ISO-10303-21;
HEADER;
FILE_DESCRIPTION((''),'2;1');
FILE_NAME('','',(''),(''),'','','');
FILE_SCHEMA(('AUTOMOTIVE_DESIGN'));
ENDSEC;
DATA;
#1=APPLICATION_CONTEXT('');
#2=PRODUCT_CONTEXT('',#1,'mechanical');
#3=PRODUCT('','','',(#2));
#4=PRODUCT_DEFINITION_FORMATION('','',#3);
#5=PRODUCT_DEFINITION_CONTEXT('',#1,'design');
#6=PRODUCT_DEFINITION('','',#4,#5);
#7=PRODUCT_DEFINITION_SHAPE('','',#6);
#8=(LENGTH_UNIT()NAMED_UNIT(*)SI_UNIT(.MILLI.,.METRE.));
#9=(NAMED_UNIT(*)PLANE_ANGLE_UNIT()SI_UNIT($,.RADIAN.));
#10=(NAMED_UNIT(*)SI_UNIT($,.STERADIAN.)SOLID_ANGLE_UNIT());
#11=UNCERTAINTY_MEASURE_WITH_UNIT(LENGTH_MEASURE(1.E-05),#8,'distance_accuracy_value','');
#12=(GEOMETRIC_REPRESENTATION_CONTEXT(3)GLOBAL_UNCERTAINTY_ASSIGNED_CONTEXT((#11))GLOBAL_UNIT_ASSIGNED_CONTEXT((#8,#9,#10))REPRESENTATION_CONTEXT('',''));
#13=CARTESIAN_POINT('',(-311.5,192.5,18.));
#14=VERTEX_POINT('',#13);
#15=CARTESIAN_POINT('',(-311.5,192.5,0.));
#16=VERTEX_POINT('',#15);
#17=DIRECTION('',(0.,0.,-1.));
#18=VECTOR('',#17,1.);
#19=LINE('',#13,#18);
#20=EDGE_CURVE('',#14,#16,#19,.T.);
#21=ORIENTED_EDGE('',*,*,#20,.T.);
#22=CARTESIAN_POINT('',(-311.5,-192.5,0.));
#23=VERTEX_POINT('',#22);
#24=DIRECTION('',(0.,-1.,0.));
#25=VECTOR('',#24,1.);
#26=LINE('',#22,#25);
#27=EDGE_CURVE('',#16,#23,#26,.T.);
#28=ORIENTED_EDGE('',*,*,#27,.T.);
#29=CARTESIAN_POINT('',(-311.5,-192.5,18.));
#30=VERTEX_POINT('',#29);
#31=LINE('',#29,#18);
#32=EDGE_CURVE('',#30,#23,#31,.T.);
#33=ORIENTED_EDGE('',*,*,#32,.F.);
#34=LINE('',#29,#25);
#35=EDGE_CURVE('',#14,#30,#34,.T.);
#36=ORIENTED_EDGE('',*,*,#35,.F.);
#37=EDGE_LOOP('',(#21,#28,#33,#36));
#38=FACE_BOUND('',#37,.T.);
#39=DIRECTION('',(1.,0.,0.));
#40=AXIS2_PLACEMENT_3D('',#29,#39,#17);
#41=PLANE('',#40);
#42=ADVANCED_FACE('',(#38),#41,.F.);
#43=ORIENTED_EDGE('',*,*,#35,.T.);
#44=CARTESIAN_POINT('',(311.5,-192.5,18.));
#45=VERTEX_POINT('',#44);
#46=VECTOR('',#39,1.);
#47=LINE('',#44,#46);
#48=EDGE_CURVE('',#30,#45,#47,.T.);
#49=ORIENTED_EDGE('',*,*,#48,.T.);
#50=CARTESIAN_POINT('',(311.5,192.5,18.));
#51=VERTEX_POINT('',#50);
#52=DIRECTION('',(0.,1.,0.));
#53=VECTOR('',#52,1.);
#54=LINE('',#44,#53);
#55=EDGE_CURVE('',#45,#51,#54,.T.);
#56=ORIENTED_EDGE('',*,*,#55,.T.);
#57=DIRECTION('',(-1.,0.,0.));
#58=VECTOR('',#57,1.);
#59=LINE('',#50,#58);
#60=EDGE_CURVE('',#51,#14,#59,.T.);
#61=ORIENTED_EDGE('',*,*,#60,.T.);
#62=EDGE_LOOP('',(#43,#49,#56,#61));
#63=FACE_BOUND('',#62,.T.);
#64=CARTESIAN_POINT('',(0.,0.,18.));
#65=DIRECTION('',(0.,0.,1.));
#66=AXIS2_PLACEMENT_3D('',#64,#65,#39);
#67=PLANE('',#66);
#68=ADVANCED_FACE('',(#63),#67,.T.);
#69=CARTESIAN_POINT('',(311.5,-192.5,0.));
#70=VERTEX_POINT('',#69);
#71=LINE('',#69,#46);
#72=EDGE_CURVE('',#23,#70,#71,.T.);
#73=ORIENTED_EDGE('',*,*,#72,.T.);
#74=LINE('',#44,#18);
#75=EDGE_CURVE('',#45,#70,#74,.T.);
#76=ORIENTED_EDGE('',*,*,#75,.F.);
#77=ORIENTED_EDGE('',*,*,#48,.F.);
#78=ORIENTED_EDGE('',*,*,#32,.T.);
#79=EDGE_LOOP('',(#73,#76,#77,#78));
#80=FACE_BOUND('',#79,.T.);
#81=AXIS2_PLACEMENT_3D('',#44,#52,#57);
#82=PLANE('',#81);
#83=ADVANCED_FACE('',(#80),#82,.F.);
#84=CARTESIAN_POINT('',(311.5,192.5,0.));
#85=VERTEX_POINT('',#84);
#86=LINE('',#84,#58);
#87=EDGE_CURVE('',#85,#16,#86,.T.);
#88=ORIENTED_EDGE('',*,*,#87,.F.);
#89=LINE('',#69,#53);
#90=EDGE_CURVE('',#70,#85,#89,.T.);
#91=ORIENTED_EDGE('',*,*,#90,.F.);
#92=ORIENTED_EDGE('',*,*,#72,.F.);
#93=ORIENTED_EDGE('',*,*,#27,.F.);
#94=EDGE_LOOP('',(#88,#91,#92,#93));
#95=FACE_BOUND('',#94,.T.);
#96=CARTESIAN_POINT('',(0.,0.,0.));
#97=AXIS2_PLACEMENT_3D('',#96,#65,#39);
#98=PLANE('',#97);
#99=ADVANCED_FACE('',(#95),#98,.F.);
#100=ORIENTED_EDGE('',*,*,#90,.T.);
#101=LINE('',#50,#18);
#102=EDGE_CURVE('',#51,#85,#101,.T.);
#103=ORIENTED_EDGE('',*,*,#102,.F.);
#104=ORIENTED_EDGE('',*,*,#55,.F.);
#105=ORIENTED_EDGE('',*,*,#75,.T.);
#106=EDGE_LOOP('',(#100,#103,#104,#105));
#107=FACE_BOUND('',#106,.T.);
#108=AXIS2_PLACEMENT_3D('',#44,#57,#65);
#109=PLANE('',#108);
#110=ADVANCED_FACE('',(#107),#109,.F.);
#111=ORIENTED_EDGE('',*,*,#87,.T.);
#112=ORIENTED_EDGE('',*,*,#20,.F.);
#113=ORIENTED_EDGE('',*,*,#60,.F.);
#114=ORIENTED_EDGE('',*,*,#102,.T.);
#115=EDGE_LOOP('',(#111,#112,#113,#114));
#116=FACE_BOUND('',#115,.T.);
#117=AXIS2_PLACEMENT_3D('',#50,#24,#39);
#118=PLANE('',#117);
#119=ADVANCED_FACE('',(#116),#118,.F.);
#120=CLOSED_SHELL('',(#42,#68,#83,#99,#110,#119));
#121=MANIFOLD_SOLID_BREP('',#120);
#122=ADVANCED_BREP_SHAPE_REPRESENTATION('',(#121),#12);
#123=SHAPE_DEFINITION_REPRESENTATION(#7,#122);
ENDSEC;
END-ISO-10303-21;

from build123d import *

# Parameters (mm, degrees)
SKETCH1_W           = 623
SKETCH1_H           = 385
BOSS_EXTRUDE1_DEPTH = 18


with BuildPart() as part:
    # Sketch1 → Boss-Extrude1 (new body)
    with BuildSketch(Plane.XY):
        Rectangle(SKETCH1_W, SKETCH1_H)
    extrude(amount=BOSS_EXTRUDE1_DEPTH)


solid = part.part
